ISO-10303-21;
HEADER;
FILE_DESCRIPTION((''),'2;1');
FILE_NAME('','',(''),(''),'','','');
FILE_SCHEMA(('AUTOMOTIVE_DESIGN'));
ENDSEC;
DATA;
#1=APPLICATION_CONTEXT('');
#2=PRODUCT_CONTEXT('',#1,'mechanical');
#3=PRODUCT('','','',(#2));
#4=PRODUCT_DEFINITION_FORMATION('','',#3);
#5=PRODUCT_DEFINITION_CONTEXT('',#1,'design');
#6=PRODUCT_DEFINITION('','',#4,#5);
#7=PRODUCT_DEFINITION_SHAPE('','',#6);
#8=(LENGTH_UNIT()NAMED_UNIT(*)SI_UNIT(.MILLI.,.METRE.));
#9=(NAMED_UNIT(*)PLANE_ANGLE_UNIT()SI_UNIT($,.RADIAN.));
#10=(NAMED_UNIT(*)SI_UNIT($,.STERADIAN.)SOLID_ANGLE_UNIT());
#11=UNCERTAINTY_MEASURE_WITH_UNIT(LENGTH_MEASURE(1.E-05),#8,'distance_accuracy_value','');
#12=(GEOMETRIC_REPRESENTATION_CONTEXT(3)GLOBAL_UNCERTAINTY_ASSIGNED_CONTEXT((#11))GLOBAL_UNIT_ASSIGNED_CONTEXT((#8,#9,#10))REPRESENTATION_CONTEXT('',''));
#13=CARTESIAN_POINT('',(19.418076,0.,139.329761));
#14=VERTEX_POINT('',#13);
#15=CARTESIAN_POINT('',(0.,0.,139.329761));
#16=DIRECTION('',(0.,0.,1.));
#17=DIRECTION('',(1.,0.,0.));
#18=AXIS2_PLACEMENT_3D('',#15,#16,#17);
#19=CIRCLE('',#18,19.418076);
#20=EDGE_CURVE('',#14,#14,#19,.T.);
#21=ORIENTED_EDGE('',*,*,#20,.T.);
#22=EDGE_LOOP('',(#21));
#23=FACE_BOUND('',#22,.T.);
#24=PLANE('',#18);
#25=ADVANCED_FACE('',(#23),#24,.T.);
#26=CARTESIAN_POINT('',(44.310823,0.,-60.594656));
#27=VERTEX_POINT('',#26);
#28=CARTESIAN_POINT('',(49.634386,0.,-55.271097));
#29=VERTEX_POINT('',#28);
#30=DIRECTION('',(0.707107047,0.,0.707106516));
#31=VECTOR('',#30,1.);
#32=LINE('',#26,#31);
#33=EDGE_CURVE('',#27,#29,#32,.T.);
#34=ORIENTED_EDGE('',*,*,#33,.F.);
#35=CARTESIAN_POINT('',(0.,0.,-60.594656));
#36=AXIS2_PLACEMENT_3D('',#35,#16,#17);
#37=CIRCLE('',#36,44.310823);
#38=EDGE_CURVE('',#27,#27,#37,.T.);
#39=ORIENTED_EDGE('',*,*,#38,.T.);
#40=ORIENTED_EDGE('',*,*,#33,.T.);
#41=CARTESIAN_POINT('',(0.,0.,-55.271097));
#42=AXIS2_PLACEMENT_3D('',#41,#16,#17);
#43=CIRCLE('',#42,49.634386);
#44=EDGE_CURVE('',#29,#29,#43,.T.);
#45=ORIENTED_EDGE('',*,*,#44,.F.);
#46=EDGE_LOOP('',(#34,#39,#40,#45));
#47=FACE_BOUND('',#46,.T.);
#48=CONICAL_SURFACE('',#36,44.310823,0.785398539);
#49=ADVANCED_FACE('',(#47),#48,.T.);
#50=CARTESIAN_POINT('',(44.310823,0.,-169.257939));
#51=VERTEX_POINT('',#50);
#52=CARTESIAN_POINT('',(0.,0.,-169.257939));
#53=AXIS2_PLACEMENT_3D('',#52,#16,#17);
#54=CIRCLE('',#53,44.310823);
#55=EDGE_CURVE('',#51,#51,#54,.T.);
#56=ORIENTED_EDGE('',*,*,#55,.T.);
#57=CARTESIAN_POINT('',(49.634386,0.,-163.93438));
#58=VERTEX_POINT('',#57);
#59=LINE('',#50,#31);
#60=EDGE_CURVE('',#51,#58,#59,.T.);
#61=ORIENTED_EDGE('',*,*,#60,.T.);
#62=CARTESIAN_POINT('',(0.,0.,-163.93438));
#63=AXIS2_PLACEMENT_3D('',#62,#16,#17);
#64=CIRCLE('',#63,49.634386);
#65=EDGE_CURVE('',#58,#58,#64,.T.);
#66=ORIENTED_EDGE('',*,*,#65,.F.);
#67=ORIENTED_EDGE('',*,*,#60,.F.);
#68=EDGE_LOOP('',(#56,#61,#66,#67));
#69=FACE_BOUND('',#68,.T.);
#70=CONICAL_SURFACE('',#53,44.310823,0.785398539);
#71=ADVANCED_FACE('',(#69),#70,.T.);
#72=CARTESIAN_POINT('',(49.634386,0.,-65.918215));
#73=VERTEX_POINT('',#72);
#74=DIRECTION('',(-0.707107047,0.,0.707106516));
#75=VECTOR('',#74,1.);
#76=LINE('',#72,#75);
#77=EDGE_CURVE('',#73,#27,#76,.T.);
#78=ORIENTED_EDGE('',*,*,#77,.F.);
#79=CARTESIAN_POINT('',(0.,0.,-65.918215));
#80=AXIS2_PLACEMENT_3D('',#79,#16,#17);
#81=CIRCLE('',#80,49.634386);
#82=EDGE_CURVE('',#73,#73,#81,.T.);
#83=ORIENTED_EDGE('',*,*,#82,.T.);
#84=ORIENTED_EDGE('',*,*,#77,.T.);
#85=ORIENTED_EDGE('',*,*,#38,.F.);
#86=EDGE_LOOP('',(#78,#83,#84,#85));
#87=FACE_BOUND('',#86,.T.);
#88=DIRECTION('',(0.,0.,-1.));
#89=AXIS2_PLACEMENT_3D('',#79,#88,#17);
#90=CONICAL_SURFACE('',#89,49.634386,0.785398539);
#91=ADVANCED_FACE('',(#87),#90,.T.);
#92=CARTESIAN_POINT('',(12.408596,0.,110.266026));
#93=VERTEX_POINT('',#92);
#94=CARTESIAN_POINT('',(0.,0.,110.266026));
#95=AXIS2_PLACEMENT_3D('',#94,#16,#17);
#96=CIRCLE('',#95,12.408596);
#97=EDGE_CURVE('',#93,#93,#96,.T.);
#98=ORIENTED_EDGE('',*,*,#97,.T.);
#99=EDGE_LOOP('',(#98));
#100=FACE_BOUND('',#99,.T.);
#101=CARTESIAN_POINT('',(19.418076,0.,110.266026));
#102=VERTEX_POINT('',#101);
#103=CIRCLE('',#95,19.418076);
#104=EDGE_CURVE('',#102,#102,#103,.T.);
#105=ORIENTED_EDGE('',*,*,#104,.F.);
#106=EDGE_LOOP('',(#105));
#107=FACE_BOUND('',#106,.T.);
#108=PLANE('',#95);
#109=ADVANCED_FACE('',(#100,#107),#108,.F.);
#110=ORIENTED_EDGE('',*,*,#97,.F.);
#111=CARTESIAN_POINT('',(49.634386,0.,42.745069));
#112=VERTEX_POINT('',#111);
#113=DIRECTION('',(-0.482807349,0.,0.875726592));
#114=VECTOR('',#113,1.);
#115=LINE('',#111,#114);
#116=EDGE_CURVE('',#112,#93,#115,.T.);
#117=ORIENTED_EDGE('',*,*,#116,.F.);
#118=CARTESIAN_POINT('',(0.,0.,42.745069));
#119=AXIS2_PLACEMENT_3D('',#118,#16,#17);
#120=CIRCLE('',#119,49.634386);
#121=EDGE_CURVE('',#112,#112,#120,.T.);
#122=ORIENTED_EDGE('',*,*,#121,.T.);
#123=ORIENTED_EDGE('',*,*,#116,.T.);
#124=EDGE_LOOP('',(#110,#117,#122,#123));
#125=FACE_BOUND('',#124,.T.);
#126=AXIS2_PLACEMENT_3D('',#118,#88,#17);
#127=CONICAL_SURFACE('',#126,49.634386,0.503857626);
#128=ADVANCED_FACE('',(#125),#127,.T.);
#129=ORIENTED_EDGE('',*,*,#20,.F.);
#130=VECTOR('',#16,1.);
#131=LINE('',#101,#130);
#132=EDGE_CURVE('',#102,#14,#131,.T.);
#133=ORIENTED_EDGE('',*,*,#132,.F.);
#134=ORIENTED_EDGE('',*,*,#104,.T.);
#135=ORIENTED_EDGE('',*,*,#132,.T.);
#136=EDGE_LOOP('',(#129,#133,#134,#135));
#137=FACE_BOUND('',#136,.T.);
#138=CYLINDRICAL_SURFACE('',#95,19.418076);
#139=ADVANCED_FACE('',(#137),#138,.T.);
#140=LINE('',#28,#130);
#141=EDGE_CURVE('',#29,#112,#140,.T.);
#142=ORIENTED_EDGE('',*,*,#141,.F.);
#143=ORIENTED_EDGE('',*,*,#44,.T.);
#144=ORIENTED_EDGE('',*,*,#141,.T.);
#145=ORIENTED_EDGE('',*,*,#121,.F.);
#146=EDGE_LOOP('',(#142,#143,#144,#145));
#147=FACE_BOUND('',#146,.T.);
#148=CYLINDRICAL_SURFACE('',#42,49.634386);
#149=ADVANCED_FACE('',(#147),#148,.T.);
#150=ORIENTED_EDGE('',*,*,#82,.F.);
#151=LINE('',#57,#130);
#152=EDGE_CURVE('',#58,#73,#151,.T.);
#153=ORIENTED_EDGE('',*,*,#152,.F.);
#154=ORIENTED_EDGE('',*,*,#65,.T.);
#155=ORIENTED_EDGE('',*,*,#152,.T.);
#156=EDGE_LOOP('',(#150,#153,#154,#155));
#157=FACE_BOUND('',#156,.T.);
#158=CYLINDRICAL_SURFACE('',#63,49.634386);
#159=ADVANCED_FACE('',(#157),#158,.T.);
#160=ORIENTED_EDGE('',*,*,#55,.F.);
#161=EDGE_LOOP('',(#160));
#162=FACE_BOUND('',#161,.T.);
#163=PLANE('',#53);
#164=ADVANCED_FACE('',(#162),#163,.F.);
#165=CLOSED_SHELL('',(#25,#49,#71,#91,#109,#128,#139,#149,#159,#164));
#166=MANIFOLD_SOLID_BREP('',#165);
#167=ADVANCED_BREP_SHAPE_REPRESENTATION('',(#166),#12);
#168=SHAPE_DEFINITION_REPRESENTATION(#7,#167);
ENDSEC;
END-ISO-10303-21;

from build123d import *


with BuildPart() as f1:
    # F0 (on Front) → F1 (revolve)
    with BuildSketch(Plane.XZ):
        Polygon((49.634386, 42.745069), (0, 42.745069), (0, -110.233098), (0, -169.257939), (22.155412, -169.257939), (44.310823, -169.257939), (49.634386, -163.93438), (49.634386, -114.926297), (49.634386, -65.918215), (44.310823, -60.594656), (49.634386, -55.271097), align=None)
        Polygon((0, 110.266026), (0, 42.745069), (49.634386, 42.745069), (12.408596, 110.266026), align=None)
        Polygon((0, 139.329761), (0, 110.266026), (12.408596, 110.266026), (19.418076, 110.266026), (19.418076, 139.329761), align=None)
    revolve(axis=Axis((0, 0, -139.745519), (0, 0, 1)))


solid = f1.part
